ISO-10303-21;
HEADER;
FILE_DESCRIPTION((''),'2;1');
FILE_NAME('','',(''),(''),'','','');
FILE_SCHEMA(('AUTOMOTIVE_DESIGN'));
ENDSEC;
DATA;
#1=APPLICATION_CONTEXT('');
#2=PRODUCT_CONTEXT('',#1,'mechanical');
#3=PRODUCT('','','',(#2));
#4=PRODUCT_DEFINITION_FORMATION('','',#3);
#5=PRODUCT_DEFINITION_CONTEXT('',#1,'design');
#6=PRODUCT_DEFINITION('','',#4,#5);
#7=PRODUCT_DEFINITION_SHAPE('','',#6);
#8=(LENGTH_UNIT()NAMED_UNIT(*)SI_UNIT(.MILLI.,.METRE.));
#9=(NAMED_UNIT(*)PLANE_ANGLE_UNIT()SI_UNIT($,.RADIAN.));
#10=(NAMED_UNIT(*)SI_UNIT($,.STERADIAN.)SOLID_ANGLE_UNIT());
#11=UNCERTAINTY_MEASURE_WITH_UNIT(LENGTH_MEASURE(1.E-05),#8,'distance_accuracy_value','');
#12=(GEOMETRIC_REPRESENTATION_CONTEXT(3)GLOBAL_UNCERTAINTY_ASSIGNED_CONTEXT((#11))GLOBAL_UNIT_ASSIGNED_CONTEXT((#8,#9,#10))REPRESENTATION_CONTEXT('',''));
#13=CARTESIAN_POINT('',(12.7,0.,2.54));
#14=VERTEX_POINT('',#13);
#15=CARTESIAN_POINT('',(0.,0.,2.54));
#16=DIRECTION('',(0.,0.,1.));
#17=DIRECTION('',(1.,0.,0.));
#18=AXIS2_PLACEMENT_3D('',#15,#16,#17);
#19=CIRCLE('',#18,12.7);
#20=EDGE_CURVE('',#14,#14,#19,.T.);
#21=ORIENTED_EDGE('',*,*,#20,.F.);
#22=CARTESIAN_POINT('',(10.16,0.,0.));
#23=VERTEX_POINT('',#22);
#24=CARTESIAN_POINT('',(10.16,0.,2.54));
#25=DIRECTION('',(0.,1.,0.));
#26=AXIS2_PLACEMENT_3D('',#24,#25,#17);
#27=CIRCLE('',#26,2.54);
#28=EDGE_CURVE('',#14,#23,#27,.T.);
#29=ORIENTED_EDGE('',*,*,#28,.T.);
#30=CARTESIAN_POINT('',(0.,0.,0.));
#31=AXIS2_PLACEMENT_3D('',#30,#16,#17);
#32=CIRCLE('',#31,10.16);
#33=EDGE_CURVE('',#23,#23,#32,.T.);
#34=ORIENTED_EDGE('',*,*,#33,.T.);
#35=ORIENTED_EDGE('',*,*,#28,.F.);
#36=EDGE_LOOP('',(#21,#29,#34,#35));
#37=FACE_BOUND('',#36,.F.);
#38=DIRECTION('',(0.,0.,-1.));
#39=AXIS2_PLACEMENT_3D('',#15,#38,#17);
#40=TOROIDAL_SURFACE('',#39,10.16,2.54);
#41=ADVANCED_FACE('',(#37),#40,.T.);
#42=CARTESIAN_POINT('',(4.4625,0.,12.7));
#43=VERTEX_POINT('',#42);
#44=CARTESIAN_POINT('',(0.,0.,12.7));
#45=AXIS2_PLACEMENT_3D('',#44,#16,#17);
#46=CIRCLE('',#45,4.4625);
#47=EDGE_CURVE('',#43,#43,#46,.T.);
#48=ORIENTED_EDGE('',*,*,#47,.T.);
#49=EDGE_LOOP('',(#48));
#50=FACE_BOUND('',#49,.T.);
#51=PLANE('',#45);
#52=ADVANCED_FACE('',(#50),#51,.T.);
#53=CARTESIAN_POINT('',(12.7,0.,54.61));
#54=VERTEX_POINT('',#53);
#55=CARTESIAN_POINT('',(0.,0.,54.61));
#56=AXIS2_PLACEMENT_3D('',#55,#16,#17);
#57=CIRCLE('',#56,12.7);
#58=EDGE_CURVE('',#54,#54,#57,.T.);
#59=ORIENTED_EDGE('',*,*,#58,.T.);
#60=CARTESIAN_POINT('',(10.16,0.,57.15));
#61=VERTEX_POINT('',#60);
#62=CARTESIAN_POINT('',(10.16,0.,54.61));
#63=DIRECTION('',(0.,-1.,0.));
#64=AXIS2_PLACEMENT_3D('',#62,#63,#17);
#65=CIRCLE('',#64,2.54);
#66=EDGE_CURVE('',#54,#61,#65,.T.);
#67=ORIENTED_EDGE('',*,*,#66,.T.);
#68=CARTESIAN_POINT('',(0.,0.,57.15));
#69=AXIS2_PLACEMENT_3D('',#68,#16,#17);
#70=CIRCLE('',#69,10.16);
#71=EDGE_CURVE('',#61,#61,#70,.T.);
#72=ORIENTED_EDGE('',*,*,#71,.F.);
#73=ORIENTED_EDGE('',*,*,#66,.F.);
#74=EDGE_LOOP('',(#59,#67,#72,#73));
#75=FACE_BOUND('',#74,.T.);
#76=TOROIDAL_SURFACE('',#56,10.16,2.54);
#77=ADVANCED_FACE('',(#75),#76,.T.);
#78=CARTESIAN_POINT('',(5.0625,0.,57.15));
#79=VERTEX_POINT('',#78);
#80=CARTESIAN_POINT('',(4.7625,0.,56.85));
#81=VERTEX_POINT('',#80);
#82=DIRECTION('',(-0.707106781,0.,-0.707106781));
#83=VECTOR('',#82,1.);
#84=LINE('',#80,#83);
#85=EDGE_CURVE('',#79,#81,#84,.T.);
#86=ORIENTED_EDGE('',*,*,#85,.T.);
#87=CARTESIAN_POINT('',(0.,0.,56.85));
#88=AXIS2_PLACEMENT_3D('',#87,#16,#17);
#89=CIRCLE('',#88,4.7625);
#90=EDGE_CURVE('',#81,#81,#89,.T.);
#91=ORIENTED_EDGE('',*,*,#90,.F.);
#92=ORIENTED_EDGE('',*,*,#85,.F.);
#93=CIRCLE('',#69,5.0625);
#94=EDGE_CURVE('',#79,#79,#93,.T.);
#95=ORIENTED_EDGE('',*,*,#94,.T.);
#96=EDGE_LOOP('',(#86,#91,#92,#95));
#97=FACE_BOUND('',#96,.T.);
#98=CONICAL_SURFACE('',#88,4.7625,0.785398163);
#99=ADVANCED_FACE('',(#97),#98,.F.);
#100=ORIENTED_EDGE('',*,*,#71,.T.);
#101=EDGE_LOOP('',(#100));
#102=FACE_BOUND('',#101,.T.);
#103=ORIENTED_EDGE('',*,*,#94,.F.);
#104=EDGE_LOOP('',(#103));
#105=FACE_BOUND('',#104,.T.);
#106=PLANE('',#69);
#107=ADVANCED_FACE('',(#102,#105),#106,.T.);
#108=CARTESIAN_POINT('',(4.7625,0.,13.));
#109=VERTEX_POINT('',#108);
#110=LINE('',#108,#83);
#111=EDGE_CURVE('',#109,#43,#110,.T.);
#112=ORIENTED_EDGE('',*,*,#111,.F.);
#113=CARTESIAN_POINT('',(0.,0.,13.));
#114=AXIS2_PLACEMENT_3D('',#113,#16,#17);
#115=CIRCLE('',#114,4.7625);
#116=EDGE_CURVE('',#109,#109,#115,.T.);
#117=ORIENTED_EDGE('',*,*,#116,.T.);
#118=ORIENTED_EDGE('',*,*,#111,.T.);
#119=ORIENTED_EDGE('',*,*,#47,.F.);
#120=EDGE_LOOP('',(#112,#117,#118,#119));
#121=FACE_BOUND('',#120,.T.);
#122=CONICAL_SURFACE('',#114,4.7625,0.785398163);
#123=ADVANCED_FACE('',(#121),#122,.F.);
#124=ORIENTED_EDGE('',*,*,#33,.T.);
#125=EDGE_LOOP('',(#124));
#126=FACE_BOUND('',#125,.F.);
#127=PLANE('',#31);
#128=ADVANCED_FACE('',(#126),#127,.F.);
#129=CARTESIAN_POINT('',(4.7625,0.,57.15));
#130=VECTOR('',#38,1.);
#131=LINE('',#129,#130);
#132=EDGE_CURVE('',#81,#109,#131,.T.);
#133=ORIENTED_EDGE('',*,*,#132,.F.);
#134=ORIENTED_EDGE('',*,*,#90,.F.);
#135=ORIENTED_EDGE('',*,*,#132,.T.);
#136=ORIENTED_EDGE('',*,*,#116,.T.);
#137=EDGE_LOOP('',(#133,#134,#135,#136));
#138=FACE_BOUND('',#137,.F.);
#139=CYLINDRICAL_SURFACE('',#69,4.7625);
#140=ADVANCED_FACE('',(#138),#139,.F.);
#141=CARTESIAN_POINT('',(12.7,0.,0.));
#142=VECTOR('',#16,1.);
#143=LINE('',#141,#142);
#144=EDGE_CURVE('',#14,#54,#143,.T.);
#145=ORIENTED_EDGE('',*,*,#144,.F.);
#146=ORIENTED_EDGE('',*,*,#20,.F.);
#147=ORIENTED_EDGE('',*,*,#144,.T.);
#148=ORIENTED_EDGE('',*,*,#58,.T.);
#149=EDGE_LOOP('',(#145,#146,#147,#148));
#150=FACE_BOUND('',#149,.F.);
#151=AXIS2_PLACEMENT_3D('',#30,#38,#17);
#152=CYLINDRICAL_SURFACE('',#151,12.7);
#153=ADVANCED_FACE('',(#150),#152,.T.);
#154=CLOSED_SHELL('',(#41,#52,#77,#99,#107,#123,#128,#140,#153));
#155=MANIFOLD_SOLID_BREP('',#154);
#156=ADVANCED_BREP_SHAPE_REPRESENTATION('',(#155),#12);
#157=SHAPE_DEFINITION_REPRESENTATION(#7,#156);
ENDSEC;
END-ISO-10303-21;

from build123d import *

# Parameters (mm, degrees)
F0_R     = 12.7
F1_DEPTH = 57.15
F2_R     = 4.7625
F3_DEPTH = 44.45
F4_R     = 2.54
F5_SIZE  = 0.3


with BuildPart() as f1:
    # F0 (on Top) → F1 (new body)
    with BuildSketch(Plane.XY):
        Circle(F0_R)
    extrude(amount=F1_DEPTH)

    # F2 (on face) → F3 (cut)
    with BuildSketch(Plane.XY.offset(57.15)):
        Circle(F2_R)
    extrude(amount=-F3_DEPTH, mode=Mode.SUBTRACT)

    # F4
    f4_edges = [f1.edges().sort_by_distance(p)[0] for p in [
        (-12.7, 0, 0),
        (-12.7, 0, 57.15),
    ]]
    fillet(f4_edges, radius=F4_R)

    # F5
    f5_edges = [f1.edges().sort_by_distance(p)[0] for p in [
        (-4.7625, 0, 12.7),
        (-10.16, 0, 57.15),
        (-4.7625, 0, 57.15),
    ]]
    chamfer(f5_edges, length=F5_SIZE)


solid = f1.part
